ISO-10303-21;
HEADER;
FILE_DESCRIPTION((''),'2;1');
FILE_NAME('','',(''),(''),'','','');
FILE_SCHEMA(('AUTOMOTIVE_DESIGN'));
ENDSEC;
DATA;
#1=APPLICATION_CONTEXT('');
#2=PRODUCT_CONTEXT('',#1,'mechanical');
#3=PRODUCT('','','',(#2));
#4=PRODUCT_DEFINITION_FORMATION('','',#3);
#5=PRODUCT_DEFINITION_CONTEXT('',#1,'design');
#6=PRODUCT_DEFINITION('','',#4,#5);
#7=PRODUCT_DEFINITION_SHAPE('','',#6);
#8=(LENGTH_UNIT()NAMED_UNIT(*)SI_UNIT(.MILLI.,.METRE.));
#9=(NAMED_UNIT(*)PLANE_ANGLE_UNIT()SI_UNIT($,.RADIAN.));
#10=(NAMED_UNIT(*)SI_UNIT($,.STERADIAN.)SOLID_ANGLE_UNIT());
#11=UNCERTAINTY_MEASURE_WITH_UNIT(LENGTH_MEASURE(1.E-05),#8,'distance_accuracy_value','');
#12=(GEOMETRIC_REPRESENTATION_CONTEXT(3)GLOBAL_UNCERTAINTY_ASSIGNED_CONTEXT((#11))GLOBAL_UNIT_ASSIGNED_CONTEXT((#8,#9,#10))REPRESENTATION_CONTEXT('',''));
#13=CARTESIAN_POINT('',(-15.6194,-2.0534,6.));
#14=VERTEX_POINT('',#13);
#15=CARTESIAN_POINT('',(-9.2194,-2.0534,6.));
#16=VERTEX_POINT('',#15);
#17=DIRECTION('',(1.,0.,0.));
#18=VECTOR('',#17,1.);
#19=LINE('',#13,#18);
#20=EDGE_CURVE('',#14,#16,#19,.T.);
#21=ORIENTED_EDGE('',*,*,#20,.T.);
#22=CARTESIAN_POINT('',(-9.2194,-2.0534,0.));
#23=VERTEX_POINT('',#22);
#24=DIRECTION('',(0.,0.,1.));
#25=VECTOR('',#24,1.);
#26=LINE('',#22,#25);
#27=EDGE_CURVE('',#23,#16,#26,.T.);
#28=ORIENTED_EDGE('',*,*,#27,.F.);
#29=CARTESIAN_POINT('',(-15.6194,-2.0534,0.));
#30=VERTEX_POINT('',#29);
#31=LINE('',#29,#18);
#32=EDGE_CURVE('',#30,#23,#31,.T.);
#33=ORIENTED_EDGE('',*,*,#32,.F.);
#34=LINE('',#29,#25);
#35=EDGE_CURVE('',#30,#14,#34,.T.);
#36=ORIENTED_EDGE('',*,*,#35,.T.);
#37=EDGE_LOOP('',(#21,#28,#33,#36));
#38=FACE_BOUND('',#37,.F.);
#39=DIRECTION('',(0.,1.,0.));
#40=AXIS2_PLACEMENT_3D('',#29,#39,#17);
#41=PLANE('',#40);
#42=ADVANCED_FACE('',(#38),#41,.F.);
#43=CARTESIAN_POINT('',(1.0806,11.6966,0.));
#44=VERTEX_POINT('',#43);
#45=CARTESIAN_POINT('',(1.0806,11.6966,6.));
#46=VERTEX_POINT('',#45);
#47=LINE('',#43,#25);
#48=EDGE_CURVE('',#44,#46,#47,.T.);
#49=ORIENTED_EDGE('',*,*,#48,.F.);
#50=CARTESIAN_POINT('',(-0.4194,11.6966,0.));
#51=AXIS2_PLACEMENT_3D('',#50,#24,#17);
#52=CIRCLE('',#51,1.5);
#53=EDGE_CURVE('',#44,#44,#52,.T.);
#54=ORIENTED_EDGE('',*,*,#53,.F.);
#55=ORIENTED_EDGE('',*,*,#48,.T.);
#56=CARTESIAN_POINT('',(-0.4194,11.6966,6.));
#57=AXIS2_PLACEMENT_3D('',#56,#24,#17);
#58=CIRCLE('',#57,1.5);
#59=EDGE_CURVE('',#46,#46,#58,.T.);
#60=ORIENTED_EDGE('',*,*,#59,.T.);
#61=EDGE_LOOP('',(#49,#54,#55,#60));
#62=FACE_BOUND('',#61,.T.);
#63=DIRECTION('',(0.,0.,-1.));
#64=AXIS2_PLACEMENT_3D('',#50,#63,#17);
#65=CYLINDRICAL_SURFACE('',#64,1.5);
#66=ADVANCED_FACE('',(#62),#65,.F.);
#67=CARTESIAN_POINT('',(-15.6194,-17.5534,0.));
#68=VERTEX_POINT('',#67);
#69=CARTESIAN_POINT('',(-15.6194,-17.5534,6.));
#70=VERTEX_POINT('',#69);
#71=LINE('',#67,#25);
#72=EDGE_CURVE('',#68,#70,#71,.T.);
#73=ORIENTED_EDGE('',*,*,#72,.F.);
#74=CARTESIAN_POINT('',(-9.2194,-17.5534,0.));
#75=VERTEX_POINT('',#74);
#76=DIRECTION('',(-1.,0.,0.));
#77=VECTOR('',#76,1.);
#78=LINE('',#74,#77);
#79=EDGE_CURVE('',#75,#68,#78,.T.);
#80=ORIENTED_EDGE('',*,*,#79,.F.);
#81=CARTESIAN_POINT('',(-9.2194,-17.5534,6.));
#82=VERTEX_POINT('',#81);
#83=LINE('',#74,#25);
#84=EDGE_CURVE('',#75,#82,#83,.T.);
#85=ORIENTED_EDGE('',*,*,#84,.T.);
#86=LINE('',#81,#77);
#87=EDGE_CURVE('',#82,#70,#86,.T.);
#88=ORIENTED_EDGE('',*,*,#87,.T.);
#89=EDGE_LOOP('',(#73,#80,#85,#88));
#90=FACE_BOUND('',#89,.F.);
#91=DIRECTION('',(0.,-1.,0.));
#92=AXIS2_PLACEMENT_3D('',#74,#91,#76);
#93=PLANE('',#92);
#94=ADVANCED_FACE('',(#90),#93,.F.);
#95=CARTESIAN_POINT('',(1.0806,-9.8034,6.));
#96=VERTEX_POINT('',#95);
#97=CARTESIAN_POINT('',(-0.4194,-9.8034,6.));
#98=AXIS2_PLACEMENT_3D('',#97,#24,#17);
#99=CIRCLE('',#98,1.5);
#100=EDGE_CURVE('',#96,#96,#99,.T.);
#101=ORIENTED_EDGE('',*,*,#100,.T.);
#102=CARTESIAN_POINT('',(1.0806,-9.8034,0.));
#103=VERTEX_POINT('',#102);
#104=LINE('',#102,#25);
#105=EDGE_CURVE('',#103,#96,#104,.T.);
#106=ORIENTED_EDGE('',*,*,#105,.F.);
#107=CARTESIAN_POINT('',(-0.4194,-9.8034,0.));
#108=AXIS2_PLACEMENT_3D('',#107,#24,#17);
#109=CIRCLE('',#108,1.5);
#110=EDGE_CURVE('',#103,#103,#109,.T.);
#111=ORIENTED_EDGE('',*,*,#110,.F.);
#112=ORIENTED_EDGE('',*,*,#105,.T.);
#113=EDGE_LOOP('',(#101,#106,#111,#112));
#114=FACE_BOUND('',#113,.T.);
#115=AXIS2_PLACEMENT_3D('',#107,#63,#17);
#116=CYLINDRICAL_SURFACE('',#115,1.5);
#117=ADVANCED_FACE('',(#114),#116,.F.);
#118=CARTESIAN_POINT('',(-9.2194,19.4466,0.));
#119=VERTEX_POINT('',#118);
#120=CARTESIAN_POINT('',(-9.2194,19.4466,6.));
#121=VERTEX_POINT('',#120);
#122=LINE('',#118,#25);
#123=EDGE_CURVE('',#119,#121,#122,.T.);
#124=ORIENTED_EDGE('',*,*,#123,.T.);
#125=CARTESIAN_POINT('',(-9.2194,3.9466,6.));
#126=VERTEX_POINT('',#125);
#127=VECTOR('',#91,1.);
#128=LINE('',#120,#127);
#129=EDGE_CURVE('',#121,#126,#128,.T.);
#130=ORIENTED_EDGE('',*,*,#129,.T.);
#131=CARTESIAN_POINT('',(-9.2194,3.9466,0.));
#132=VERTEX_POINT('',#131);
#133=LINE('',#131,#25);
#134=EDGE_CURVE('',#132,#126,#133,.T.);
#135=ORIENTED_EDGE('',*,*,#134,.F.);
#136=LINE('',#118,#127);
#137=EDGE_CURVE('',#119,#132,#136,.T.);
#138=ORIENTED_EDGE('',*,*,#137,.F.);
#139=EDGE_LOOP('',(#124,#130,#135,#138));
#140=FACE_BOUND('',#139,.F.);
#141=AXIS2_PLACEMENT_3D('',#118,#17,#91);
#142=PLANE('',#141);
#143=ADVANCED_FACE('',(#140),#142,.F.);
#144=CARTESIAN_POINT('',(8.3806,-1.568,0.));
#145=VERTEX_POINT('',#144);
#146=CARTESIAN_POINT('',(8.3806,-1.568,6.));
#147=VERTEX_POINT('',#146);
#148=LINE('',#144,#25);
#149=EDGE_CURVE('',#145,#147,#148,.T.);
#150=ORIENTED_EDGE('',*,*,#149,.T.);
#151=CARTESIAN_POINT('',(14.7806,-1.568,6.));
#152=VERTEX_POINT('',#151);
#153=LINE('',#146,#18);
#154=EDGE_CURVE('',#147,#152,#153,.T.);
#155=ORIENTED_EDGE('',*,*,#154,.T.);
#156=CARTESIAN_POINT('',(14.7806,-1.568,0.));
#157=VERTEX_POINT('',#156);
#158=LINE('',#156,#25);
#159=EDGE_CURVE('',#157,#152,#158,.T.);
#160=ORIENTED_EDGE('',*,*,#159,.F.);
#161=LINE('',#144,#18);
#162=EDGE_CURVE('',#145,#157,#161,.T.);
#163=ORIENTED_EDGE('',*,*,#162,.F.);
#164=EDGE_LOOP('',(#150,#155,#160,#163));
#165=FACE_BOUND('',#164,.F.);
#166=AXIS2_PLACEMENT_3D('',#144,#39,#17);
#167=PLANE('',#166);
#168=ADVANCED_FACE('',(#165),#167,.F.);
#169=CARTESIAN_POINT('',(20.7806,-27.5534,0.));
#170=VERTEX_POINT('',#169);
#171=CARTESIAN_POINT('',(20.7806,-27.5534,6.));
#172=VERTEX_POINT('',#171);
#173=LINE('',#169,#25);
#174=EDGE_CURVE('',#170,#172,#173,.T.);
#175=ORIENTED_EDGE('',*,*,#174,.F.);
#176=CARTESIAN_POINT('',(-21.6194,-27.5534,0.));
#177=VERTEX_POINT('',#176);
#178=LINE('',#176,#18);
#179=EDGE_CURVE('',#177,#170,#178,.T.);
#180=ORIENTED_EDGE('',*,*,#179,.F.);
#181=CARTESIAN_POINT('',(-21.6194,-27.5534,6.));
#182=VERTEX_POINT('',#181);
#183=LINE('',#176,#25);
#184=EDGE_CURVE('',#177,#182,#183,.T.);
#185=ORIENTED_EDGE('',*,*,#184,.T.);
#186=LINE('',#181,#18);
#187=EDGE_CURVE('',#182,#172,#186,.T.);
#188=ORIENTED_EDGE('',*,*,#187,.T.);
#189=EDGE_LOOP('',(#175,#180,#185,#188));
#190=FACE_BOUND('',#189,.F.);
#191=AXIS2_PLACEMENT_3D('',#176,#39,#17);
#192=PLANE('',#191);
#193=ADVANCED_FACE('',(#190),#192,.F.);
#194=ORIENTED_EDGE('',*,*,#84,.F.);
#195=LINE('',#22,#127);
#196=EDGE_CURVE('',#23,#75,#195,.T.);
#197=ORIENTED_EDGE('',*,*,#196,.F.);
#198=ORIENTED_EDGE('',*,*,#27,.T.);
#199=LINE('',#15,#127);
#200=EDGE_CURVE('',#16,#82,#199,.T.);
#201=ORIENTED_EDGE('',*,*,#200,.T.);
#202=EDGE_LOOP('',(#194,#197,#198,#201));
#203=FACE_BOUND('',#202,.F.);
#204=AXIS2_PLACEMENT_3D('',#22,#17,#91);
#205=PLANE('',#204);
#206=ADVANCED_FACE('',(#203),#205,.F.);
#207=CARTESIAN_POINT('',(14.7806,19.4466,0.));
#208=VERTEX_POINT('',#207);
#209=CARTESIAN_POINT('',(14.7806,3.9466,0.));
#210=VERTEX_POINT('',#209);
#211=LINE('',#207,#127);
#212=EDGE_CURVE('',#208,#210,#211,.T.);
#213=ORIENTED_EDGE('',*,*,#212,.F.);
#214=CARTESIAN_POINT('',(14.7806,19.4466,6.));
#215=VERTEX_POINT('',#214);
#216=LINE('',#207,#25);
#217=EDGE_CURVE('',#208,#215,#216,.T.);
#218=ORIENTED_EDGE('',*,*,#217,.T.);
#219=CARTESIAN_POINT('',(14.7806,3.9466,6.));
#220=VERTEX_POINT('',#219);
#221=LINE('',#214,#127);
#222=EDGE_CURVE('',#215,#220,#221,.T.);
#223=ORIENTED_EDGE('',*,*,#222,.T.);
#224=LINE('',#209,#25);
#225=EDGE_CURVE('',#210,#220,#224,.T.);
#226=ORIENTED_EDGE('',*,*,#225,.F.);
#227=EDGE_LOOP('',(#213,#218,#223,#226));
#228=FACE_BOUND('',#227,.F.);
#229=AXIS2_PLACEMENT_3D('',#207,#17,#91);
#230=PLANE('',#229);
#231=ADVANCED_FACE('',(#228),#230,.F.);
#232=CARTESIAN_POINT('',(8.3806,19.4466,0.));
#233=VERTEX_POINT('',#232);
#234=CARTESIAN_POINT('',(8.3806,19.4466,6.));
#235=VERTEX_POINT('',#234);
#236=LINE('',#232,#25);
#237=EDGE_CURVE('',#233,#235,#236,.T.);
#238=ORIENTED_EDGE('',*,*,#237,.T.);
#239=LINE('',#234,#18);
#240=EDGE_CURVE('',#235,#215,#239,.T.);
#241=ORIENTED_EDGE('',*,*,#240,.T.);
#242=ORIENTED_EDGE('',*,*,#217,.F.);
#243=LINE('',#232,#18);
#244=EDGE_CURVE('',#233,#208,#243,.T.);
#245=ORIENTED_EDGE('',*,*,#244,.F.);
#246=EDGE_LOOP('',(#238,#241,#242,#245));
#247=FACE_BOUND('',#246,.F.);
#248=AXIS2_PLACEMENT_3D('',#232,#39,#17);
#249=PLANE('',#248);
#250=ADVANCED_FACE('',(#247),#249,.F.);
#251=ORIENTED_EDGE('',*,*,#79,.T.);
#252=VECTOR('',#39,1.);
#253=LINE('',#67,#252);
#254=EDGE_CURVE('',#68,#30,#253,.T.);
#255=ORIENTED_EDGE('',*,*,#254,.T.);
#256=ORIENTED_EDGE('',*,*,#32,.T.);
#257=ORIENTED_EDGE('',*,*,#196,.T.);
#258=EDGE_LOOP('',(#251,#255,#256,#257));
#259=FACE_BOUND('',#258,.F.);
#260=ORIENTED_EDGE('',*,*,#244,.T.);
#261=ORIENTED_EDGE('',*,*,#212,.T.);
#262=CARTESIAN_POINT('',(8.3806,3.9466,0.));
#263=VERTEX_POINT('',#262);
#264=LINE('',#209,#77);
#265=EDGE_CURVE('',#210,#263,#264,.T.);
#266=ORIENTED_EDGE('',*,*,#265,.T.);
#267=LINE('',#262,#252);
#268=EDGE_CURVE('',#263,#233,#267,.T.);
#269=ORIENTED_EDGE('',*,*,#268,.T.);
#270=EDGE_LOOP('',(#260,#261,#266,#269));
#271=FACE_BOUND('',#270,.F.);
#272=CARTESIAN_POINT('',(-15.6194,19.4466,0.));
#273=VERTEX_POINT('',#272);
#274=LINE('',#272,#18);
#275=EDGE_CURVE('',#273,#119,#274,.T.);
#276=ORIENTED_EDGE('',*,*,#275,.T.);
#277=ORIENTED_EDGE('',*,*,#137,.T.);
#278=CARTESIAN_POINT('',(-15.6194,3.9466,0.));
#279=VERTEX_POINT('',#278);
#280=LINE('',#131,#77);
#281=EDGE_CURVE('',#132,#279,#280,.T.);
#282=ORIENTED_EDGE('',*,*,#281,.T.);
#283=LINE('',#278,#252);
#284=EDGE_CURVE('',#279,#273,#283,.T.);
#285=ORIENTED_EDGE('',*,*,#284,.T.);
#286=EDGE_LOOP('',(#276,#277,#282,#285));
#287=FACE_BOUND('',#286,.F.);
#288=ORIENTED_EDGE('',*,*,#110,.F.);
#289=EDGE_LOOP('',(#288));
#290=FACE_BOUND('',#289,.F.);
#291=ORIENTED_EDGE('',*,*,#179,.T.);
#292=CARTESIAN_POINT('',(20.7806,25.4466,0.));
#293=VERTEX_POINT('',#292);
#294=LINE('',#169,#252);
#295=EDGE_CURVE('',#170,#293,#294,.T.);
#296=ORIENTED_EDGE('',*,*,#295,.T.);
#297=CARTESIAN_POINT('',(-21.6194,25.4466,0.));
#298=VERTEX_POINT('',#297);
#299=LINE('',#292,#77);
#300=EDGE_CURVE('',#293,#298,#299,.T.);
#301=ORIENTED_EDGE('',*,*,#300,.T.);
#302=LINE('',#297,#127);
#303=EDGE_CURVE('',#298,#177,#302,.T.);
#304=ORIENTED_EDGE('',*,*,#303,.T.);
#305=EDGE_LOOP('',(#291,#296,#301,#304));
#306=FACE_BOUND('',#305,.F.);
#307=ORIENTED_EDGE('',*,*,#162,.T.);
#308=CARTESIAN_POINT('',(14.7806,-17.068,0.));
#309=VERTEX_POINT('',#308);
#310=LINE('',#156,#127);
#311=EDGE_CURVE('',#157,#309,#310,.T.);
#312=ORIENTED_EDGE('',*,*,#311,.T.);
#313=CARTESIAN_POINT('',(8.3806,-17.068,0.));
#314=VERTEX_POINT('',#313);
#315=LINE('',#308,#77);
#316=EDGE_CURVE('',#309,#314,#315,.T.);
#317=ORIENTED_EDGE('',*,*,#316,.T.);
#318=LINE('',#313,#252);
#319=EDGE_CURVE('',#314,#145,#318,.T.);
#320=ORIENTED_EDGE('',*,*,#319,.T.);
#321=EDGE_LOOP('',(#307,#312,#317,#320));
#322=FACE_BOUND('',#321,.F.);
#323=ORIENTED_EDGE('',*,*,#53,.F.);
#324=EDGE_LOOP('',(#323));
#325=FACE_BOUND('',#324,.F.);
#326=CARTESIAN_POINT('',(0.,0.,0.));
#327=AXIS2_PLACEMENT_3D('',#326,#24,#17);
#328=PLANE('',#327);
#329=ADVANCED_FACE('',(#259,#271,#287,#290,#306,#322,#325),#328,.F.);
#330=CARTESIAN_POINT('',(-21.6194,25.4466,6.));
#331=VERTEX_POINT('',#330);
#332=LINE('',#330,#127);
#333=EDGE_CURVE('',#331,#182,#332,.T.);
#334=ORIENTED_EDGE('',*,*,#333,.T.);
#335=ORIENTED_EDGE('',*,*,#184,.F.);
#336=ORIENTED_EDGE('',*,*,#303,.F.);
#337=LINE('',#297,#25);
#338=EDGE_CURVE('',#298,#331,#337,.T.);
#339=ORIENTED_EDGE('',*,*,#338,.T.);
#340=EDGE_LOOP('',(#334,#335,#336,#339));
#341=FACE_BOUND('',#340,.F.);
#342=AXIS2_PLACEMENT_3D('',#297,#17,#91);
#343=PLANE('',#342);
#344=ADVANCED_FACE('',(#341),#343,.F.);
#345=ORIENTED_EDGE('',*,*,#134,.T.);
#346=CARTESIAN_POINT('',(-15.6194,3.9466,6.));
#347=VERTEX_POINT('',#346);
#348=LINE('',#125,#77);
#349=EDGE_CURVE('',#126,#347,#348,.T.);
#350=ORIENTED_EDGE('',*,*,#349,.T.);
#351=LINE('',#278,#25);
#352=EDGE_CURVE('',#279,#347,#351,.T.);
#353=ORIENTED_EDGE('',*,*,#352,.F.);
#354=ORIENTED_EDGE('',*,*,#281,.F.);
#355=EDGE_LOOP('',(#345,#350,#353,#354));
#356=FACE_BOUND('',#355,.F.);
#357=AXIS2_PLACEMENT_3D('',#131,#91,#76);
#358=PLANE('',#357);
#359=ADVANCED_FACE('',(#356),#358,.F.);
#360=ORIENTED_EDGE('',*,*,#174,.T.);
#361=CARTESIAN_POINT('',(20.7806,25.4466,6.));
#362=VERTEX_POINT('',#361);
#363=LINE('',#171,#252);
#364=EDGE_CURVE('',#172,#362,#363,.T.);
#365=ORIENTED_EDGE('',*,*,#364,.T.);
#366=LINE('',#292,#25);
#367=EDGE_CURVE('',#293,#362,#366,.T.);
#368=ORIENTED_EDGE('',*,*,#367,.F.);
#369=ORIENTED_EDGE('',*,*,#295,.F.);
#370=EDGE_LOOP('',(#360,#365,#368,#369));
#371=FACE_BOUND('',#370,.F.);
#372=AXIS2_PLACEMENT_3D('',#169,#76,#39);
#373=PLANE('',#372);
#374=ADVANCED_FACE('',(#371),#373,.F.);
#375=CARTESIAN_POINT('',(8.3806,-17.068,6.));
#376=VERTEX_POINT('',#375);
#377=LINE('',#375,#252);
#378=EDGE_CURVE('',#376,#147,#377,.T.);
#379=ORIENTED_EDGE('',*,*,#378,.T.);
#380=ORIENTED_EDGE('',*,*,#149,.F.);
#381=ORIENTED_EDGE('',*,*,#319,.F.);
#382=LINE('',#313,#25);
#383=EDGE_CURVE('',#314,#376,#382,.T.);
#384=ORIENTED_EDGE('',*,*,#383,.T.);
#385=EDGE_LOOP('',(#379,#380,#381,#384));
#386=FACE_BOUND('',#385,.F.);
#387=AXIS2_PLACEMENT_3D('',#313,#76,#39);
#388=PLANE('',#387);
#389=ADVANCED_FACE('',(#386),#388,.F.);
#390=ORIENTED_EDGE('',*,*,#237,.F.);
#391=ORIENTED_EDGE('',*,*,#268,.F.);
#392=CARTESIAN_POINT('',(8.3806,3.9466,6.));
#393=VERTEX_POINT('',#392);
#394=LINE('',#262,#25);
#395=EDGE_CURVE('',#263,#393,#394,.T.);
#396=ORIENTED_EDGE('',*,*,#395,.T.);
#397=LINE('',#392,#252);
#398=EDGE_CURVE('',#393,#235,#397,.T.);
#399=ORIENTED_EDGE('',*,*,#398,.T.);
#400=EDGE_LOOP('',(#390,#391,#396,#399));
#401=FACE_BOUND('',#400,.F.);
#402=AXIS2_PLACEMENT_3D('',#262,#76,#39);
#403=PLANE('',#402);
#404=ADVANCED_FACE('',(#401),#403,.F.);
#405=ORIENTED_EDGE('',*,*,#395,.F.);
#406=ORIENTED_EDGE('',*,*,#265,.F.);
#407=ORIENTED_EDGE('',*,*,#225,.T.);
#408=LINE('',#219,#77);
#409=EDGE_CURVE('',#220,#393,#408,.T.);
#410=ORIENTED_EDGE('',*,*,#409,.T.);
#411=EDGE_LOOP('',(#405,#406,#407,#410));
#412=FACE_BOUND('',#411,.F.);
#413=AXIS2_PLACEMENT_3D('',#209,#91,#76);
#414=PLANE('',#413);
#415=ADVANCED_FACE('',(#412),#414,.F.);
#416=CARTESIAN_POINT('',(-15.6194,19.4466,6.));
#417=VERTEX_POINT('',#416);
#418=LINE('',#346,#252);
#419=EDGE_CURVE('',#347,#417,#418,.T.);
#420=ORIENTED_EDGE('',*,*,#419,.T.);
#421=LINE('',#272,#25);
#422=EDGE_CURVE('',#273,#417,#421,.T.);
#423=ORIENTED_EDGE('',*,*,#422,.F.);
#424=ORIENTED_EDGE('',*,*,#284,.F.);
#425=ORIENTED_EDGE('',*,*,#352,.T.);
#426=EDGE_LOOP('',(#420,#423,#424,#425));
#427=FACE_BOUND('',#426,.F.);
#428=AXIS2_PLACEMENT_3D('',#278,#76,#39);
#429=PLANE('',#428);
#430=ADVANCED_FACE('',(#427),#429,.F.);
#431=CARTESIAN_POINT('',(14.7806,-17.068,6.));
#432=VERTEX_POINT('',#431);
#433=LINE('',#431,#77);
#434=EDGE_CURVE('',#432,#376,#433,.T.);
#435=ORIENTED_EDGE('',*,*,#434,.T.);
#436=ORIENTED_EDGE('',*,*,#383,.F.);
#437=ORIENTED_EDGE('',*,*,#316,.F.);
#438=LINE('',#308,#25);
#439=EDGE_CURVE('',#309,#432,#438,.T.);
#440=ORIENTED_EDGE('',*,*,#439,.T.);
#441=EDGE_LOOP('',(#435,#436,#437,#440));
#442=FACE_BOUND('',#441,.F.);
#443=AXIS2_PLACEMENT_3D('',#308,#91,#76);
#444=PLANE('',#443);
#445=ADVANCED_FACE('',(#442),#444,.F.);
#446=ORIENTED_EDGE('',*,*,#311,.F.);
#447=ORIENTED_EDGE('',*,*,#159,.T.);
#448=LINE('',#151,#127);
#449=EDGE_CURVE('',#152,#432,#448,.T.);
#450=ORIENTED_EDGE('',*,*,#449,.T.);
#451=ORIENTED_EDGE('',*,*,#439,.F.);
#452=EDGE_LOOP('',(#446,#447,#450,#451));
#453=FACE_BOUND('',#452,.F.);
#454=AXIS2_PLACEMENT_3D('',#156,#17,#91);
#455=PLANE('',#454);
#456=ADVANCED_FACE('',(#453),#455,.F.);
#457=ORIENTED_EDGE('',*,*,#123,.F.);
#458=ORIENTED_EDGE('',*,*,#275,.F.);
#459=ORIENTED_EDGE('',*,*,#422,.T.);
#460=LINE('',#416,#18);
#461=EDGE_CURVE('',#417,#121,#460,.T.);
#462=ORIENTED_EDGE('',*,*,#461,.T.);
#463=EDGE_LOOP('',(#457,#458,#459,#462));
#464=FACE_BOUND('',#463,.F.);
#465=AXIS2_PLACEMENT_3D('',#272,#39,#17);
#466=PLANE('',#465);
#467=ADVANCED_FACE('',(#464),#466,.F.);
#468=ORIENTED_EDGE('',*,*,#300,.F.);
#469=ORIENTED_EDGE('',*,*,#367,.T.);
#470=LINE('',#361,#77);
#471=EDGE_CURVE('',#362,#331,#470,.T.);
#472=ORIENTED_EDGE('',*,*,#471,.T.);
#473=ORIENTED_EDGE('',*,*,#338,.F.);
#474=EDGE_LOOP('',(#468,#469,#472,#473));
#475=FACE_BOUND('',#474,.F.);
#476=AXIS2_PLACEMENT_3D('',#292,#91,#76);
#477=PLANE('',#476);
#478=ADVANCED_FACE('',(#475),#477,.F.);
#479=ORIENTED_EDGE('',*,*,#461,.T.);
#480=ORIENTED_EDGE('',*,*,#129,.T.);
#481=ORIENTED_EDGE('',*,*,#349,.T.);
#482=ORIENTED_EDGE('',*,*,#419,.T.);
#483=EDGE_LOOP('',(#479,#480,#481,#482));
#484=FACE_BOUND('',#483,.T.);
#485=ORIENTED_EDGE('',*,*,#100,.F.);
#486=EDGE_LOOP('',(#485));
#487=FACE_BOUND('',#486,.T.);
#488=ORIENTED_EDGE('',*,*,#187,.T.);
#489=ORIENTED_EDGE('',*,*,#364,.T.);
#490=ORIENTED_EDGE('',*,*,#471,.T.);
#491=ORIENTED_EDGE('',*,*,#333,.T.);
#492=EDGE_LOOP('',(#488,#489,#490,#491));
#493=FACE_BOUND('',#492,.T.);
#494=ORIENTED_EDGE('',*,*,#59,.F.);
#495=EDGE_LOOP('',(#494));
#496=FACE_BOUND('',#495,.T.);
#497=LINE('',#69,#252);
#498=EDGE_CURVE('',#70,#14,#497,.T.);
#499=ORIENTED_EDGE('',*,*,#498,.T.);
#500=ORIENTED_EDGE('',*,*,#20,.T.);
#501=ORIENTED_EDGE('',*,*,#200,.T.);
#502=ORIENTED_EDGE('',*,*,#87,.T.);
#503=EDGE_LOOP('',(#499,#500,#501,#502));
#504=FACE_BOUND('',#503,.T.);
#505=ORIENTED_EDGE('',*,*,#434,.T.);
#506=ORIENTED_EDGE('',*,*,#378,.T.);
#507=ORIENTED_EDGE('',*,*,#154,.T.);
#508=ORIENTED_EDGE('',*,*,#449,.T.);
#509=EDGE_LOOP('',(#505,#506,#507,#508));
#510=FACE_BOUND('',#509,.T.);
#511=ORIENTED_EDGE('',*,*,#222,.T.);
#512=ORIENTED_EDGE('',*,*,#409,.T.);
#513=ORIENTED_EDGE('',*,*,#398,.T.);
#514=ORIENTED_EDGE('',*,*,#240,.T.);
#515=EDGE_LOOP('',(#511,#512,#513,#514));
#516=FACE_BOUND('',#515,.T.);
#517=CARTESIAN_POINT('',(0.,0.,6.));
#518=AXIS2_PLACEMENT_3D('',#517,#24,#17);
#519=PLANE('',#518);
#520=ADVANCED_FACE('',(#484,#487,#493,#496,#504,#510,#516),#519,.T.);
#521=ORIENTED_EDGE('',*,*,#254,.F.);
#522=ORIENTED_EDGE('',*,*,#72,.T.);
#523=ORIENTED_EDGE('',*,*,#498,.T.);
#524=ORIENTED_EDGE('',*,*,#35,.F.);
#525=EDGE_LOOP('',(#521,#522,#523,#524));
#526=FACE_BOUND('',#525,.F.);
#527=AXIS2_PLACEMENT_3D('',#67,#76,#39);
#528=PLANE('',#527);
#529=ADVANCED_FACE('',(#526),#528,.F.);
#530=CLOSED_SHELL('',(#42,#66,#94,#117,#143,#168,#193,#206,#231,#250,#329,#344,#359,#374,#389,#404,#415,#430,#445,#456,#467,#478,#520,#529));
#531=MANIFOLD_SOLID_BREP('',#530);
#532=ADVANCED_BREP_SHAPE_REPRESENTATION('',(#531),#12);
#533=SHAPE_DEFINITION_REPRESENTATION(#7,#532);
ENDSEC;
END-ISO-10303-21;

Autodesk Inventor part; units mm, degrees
ref_plane "YZ Plane" through (0, 0, 0) normal (1, 0, 0) x (0, 1, 0)
ref_plane "XZ Plane" through (0, 0, 0) normal (0, 1, 0) x (-1, 0, 0)
ref_plane "XY Plane" through (0, 0, 0) normal (0, 0, 1) x (1, 0, 0)
sketch "Sketch1" plane through (0, 0, 0) normal (0, 0, 1) x (1, 0, 0)
  line L0 (-9.2194, -2.0534) -> (-9.2194, -17.5534)
  line L1 (-9.2194, -17.5534) -> (-15.6194, -17.5534)
  line L2 (-15.6194, -17.5534) -> (-15.6194, -2.0534)
  line L3 (-15.6194, -2.0534) -> (-9.2194, -2.0534)
  line L4 (-9.2194, 19.4466) -> (-9.2194, 3.9466)
  line L5 (-9.2194, 3.9466) -> (-15.6194, 3.9466)
  line L6 (-15.6194, 3.9466) -> (-15.6194, 19.4466)
  line L7 (-15.6194, 19.4466) -> (-9.2194, 19.4466)
  line L8 (14.7806, 19.4466) -> (14.7806, 3.9466)
  line L9 (14.7806, 3.9466) -> (8.3806, 3.9466)
  line L10 (8.3806, 3.9466) -> (8.3806, 19.4466)
  line L11 (8.3806, 19.4466) -> (14.7806, 19.4466)
  line L12 (14.7806, -1.568) -> (14.7806, -17.068)
  line L13 (14.7806, -17.068) -> (8.3806, -17.068)
  line L14 (8.3806, -17.068) -> (8.3806, -1.568)
  line L15 (8.3806, -1.568) -> (14.7806, -1.568)
  line L16 (20.7806, -27.5534) -> (20.7806, 25.4466)
  line L17 (20.7806, 25.4466) -> (-21.6194, 25.4466)
  line L18 (-21.6194, 25.4466) -> (-21.6194, -27.5534)
  line L19 (-21.6194, -27.5534) -> (20.7806, -27.5534)
  circle A0 centre (-0.4194, 11.6966) radius 1.5
  circle A1 centre (-0.4194, -9.8034) radius 1.5
  point P0 (0, 0)
extrude "Extrusion1" add sketch "Sketch1" along normal blind 6
properties part number "spoolHolderHolder"
